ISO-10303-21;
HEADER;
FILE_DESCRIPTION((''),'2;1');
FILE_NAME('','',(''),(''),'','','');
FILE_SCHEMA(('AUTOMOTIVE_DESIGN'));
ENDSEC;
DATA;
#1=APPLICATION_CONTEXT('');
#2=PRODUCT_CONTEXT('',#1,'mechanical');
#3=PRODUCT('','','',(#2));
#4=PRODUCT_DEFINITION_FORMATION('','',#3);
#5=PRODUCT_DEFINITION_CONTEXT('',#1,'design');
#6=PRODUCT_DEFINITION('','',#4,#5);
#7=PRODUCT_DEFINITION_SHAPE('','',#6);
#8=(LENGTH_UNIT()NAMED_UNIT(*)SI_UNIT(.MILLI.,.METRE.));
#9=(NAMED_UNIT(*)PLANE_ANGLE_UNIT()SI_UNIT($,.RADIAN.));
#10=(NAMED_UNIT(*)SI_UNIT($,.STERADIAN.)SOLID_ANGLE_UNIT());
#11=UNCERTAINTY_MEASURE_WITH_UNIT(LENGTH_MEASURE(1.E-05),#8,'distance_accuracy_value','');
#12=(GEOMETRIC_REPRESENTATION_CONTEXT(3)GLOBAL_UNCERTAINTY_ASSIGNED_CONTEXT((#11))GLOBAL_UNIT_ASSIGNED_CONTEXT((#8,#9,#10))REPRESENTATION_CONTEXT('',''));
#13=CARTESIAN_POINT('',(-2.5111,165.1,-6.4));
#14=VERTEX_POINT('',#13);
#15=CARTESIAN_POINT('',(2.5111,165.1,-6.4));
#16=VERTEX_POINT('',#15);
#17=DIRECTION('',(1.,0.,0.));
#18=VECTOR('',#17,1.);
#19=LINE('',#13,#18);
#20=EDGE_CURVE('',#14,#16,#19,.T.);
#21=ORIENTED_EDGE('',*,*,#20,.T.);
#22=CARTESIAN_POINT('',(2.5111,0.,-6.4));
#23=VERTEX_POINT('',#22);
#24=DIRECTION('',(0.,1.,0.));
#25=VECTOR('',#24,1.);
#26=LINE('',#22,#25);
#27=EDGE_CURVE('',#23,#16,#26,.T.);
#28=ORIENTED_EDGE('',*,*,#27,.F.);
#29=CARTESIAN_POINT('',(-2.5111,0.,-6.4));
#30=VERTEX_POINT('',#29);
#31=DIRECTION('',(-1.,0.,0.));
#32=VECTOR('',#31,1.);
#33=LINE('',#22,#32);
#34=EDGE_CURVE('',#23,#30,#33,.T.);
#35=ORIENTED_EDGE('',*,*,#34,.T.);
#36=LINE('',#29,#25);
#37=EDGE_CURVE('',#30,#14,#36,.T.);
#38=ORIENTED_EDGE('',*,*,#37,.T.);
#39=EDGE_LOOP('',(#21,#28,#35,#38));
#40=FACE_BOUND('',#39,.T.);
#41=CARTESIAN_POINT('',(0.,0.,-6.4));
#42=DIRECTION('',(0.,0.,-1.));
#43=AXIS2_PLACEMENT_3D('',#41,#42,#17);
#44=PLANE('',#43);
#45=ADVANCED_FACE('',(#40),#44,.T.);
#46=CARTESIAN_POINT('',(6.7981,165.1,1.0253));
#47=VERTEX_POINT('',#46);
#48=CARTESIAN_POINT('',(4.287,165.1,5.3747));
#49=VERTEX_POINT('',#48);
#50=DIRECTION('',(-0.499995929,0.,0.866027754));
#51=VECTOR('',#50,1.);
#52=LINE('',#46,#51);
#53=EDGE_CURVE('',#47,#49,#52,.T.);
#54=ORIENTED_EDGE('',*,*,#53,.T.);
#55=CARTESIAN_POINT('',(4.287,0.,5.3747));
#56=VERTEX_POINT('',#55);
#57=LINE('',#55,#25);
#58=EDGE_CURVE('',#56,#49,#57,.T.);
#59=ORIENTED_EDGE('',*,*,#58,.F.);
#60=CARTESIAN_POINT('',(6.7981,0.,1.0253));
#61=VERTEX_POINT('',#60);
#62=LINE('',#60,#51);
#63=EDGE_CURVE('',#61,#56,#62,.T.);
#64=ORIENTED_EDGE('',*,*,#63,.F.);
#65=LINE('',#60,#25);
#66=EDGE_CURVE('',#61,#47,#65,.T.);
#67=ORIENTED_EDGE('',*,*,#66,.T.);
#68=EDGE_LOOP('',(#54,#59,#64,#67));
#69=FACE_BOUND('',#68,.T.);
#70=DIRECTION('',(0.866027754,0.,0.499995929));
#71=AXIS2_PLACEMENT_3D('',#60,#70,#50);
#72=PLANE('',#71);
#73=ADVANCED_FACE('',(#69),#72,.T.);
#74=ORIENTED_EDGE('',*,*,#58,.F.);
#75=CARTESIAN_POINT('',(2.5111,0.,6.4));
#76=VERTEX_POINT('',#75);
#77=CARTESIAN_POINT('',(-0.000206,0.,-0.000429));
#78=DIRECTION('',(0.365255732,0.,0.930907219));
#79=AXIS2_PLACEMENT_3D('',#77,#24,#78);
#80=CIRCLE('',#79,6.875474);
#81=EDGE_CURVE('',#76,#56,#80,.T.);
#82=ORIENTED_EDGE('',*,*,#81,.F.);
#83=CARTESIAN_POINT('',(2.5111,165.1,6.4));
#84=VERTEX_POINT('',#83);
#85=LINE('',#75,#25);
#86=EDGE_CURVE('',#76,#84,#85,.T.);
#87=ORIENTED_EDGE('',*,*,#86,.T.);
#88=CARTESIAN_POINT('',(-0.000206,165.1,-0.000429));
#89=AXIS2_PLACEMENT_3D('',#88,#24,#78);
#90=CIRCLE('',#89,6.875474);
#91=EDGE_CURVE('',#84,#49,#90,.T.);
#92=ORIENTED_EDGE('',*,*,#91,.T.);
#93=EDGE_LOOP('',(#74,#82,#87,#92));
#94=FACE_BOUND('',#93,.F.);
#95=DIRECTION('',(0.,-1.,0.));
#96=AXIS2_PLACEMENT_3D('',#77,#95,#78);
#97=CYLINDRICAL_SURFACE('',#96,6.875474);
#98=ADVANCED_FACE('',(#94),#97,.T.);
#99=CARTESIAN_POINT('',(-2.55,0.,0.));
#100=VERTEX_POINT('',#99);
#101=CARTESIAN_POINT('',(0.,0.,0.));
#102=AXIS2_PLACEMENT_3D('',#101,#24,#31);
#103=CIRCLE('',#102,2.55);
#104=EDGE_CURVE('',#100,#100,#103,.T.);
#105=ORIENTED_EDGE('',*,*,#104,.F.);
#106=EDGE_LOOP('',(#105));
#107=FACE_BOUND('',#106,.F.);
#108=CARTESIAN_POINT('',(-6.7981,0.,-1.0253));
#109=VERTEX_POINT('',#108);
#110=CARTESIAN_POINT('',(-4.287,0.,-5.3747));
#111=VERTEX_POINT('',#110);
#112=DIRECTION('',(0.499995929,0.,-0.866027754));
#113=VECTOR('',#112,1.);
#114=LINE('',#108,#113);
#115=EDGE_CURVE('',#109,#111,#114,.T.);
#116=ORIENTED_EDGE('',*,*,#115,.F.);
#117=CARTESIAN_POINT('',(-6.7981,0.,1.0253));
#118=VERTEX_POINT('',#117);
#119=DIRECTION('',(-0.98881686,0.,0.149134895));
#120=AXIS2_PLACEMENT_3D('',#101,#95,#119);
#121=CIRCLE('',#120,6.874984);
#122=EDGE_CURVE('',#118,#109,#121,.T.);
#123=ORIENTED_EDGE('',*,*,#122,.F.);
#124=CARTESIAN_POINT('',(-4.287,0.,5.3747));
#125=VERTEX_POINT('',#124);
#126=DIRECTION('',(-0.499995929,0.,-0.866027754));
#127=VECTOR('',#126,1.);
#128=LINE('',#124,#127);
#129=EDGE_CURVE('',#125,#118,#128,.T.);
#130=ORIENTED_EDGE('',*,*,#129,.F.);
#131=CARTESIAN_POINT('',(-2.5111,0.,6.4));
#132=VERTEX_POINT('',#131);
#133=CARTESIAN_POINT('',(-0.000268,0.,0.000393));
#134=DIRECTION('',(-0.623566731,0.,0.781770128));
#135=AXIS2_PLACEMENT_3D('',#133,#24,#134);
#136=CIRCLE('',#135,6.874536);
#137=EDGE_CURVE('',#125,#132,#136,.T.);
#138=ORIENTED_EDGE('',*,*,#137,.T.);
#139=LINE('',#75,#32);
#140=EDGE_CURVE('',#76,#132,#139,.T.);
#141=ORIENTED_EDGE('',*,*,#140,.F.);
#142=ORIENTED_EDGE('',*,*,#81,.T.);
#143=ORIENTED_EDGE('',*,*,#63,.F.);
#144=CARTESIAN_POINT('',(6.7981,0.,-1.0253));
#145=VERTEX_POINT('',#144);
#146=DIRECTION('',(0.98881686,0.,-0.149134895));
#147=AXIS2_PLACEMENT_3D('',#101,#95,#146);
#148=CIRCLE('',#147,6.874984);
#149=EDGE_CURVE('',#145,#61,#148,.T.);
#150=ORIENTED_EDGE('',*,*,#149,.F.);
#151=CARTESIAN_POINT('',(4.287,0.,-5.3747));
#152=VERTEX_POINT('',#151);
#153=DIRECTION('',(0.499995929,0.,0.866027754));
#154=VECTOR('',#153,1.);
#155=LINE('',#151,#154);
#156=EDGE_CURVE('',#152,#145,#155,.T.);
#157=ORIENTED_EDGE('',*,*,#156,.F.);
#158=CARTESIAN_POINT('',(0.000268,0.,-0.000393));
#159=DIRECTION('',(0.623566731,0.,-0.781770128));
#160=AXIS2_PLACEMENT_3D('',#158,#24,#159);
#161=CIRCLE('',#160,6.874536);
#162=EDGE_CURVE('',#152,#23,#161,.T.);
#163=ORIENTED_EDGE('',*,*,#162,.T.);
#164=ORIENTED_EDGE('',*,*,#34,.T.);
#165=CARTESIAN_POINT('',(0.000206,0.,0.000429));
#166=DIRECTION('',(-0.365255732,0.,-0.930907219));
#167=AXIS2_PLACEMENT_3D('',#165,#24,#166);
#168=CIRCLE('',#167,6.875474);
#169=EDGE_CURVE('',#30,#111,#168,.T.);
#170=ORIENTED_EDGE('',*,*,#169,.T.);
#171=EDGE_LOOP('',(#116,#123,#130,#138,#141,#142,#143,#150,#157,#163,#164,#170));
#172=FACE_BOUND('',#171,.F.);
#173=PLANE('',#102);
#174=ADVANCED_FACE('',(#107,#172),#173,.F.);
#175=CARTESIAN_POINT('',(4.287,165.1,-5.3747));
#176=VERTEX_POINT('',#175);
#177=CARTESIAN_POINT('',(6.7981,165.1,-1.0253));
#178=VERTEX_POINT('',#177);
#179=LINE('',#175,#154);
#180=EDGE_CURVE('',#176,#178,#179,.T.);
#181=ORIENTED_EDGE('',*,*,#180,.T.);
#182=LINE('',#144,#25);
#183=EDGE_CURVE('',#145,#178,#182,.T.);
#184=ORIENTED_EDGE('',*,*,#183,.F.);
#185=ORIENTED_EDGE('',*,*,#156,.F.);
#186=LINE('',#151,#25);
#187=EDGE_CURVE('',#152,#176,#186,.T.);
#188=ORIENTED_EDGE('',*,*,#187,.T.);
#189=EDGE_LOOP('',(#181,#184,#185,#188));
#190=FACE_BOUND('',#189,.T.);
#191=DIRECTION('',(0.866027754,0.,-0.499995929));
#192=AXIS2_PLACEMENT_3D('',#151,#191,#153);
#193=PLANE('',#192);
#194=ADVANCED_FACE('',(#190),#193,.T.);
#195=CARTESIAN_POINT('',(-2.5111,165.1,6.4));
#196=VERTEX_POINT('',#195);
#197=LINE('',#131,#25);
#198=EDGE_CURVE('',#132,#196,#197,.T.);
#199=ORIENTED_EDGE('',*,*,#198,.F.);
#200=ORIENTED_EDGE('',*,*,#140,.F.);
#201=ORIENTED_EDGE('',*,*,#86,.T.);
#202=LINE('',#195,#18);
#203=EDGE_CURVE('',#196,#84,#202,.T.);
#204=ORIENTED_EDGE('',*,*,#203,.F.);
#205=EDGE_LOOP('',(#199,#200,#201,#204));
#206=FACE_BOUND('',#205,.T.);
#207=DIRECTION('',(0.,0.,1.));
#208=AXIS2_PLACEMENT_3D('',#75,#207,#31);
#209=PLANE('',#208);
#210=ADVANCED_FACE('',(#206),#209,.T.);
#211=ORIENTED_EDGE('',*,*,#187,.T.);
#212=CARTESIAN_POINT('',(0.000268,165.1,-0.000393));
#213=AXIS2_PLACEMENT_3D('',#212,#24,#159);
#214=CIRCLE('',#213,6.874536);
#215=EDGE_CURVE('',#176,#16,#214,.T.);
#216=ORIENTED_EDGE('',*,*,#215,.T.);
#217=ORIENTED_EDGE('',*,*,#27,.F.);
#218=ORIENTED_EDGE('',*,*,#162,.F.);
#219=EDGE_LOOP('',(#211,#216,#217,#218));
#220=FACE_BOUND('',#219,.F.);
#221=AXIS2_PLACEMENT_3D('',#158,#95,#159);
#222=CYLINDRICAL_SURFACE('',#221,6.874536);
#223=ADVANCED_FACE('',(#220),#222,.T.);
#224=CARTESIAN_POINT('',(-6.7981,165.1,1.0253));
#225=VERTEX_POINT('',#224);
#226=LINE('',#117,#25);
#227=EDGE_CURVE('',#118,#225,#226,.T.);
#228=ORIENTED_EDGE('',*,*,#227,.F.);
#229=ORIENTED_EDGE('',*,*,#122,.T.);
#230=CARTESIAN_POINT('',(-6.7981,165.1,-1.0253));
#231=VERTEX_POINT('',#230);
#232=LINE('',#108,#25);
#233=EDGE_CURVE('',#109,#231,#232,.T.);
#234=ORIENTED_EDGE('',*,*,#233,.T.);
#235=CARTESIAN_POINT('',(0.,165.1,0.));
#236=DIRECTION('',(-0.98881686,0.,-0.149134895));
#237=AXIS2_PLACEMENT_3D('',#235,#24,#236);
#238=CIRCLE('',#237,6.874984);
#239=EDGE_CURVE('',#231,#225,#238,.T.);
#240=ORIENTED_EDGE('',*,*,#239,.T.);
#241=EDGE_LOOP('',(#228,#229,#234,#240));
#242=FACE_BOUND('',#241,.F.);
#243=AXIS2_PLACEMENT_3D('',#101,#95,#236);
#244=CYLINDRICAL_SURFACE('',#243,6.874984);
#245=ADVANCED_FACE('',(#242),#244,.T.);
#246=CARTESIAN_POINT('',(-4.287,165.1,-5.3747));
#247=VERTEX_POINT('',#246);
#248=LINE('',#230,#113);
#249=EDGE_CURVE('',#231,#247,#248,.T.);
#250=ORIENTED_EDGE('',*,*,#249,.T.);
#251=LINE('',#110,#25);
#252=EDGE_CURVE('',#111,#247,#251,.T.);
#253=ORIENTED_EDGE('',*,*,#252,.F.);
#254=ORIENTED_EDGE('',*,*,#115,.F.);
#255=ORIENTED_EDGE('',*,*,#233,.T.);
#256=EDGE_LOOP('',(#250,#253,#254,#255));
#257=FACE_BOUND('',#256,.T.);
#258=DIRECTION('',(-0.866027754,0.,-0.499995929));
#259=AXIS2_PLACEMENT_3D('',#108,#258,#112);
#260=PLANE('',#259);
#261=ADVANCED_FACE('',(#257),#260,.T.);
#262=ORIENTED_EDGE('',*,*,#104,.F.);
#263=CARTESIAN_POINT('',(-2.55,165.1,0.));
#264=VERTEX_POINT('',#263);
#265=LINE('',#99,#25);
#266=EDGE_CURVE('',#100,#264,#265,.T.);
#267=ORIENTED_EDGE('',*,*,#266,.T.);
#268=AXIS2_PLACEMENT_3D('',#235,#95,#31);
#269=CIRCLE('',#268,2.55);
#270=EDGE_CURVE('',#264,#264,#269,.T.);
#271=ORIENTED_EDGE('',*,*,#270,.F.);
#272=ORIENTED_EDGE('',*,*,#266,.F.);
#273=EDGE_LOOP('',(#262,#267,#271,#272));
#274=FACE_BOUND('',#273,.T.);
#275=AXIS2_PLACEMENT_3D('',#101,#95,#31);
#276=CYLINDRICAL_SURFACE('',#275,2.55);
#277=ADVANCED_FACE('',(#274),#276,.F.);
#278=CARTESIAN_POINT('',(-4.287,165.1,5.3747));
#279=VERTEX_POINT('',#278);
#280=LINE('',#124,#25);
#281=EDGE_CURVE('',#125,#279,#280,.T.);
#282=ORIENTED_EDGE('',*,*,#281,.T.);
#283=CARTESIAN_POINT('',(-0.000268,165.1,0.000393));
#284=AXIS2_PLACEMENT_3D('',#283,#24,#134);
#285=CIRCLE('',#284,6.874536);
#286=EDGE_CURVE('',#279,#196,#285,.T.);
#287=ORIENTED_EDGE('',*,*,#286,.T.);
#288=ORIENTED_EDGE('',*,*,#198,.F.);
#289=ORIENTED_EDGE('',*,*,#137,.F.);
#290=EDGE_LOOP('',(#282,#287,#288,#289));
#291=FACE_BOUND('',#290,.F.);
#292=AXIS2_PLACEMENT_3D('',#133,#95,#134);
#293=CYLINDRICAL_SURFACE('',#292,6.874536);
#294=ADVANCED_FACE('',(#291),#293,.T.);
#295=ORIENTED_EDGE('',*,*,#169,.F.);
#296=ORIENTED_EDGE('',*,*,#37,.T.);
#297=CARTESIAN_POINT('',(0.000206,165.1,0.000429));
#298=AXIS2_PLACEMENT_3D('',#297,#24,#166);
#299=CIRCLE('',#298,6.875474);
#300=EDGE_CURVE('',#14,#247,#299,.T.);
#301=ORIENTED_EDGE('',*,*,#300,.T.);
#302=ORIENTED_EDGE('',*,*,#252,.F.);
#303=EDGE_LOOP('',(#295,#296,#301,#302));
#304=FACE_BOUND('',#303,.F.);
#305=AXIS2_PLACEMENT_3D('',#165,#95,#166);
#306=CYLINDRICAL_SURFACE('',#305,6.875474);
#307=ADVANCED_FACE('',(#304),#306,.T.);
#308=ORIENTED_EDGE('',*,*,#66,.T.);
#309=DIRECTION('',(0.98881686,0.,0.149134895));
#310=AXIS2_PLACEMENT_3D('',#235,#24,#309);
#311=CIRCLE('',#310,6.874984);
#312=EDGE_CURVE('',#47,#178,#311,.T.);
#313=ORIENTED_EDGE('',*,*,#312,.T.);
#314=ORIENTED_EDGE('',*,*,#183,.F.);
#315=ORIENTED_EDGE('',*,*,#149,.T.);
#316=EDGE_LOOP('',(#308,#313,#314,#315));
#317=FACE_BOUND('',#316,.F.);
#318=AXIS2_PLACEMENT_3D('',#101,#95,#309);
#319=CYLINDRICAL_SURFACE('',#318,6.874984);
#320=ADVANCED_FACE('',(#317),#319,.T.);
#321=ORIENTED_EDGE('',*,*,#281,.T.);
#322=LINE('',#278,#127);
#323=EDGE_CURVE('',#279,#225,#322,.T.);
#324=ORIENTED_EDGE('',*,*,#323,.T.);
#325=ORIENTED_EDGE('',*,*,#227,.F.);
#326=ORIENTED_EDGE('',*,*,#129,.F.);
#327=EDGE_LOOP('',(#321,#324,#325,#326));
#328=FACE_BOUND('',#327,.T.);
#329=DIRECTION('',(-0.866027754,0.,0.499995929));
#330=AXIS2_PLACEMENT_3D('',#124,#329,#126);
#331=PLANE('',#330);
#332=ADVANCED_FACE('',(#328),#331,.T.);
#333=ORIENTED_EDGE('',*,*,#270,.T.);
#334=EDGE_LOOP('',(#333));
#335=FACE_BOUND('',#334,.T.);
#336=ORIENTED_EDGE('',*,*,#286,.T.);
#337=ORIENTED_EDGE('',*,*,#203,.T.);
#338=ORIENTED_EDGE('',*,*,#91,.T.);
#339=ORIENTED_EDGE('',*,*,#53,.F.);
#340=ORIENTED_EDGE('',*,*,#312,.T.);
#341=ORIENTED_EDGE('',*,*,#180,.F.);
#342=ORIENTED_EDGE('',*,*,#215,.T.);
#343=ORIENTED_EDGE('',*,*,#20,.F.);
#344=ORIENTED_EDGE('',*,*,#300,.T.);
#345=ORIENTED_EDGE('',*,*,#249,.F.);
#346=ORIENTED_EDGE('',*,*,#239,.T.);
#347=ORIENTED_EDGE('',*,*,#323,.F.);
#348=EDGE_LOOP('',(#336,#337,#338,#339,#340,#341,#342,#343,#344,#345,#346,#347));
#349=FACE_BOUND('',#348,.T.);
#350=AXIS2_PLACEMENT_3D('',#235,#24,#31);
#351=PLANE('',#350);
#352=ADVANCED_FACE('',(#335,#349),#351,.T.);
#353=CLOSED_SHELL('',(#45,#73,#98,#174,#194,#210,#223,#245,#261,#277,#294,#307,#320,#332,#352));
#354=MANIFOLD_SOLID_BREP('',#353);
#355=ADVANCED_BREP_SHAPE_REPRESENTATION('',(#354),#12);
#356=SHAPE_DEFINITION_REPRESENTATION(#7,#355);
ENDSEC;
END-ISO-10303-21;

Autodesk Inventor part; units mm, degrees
ref_plane "YZ Plane" through (0, 0, 0) normal (1, 0, 0) x (0, 1, 0)
ref_plane "XZ Plane" through (0, 0, 0) normal (0, 1, 0) x (-1, 0, 0)
ref_plane "XY Plane" through (0, 0, 0) normal (0, 0, 1) x (1, 0, 0)
sketch "Sketch1" plane through (0, 0, 0) normal (0, 1, 0) x (-1, 0, 0)
  line L0 (0, -9.0532) -> (0, 9.0532) projected
  line L1 (-9.625, 0) -> (9.625, 0) projected
  line L2 (-4.287, -5.3747) -> (-6.7981, -1.0253)
  line L3 (-6.7981, 1.0253) -> (-4.287, 5.3747)
  line L4 (-2.5111, 6.4) -> (2.5111, 6.4)
  line L5 (4.287, 5.3747) -> (6.7981, 1.0253)
  line L6 (6.7981, -1.0253) -> (4.287, -5.3747)
  line L7 (2.5111, -6.4) -> (-2.5111, -6.4)
  circle A0 centre (0, 0) radius 2.55
  arc A1 (2.5111, -6.4) -> (4.287, -5.3747) centre (0, 0) ccw
  arc A2 (-4.287, -5.3747) -> (-2.5111, -6.4) centre (0, 0) ccw
  arc A3 (-6.7981, 1.0253) -> (-6.7981, -1.0253) centre (0, 0) ccw
  arc A4 (-2.5111, 6.4) -> (-4.287, 5.3747) centre (0, 0) ccw
  arc A5 (6.7981, -1.0253) -> (6.7981, 1.0253) centre (0, 0) ccw
  arc A6 (4.287, 5.3747) -> (2.5111, 6.4) centre (0, 0) ccw
  dimension "d0" = 12.8
  dimension "d5" = 5.1
extrude "Extrusion2" add sketch "Sketch1" along normal blind 165.1 contours L7 A2 L2 A3 L1 A0 L0 | L0 A0 L1 A5 L6 A1 L7 | L1 A3 L3 A4 L4 L0 A0 | A0 L0 L4 A6 L5 A5 L1
properties part number "ThunderHex_SideShaft"
